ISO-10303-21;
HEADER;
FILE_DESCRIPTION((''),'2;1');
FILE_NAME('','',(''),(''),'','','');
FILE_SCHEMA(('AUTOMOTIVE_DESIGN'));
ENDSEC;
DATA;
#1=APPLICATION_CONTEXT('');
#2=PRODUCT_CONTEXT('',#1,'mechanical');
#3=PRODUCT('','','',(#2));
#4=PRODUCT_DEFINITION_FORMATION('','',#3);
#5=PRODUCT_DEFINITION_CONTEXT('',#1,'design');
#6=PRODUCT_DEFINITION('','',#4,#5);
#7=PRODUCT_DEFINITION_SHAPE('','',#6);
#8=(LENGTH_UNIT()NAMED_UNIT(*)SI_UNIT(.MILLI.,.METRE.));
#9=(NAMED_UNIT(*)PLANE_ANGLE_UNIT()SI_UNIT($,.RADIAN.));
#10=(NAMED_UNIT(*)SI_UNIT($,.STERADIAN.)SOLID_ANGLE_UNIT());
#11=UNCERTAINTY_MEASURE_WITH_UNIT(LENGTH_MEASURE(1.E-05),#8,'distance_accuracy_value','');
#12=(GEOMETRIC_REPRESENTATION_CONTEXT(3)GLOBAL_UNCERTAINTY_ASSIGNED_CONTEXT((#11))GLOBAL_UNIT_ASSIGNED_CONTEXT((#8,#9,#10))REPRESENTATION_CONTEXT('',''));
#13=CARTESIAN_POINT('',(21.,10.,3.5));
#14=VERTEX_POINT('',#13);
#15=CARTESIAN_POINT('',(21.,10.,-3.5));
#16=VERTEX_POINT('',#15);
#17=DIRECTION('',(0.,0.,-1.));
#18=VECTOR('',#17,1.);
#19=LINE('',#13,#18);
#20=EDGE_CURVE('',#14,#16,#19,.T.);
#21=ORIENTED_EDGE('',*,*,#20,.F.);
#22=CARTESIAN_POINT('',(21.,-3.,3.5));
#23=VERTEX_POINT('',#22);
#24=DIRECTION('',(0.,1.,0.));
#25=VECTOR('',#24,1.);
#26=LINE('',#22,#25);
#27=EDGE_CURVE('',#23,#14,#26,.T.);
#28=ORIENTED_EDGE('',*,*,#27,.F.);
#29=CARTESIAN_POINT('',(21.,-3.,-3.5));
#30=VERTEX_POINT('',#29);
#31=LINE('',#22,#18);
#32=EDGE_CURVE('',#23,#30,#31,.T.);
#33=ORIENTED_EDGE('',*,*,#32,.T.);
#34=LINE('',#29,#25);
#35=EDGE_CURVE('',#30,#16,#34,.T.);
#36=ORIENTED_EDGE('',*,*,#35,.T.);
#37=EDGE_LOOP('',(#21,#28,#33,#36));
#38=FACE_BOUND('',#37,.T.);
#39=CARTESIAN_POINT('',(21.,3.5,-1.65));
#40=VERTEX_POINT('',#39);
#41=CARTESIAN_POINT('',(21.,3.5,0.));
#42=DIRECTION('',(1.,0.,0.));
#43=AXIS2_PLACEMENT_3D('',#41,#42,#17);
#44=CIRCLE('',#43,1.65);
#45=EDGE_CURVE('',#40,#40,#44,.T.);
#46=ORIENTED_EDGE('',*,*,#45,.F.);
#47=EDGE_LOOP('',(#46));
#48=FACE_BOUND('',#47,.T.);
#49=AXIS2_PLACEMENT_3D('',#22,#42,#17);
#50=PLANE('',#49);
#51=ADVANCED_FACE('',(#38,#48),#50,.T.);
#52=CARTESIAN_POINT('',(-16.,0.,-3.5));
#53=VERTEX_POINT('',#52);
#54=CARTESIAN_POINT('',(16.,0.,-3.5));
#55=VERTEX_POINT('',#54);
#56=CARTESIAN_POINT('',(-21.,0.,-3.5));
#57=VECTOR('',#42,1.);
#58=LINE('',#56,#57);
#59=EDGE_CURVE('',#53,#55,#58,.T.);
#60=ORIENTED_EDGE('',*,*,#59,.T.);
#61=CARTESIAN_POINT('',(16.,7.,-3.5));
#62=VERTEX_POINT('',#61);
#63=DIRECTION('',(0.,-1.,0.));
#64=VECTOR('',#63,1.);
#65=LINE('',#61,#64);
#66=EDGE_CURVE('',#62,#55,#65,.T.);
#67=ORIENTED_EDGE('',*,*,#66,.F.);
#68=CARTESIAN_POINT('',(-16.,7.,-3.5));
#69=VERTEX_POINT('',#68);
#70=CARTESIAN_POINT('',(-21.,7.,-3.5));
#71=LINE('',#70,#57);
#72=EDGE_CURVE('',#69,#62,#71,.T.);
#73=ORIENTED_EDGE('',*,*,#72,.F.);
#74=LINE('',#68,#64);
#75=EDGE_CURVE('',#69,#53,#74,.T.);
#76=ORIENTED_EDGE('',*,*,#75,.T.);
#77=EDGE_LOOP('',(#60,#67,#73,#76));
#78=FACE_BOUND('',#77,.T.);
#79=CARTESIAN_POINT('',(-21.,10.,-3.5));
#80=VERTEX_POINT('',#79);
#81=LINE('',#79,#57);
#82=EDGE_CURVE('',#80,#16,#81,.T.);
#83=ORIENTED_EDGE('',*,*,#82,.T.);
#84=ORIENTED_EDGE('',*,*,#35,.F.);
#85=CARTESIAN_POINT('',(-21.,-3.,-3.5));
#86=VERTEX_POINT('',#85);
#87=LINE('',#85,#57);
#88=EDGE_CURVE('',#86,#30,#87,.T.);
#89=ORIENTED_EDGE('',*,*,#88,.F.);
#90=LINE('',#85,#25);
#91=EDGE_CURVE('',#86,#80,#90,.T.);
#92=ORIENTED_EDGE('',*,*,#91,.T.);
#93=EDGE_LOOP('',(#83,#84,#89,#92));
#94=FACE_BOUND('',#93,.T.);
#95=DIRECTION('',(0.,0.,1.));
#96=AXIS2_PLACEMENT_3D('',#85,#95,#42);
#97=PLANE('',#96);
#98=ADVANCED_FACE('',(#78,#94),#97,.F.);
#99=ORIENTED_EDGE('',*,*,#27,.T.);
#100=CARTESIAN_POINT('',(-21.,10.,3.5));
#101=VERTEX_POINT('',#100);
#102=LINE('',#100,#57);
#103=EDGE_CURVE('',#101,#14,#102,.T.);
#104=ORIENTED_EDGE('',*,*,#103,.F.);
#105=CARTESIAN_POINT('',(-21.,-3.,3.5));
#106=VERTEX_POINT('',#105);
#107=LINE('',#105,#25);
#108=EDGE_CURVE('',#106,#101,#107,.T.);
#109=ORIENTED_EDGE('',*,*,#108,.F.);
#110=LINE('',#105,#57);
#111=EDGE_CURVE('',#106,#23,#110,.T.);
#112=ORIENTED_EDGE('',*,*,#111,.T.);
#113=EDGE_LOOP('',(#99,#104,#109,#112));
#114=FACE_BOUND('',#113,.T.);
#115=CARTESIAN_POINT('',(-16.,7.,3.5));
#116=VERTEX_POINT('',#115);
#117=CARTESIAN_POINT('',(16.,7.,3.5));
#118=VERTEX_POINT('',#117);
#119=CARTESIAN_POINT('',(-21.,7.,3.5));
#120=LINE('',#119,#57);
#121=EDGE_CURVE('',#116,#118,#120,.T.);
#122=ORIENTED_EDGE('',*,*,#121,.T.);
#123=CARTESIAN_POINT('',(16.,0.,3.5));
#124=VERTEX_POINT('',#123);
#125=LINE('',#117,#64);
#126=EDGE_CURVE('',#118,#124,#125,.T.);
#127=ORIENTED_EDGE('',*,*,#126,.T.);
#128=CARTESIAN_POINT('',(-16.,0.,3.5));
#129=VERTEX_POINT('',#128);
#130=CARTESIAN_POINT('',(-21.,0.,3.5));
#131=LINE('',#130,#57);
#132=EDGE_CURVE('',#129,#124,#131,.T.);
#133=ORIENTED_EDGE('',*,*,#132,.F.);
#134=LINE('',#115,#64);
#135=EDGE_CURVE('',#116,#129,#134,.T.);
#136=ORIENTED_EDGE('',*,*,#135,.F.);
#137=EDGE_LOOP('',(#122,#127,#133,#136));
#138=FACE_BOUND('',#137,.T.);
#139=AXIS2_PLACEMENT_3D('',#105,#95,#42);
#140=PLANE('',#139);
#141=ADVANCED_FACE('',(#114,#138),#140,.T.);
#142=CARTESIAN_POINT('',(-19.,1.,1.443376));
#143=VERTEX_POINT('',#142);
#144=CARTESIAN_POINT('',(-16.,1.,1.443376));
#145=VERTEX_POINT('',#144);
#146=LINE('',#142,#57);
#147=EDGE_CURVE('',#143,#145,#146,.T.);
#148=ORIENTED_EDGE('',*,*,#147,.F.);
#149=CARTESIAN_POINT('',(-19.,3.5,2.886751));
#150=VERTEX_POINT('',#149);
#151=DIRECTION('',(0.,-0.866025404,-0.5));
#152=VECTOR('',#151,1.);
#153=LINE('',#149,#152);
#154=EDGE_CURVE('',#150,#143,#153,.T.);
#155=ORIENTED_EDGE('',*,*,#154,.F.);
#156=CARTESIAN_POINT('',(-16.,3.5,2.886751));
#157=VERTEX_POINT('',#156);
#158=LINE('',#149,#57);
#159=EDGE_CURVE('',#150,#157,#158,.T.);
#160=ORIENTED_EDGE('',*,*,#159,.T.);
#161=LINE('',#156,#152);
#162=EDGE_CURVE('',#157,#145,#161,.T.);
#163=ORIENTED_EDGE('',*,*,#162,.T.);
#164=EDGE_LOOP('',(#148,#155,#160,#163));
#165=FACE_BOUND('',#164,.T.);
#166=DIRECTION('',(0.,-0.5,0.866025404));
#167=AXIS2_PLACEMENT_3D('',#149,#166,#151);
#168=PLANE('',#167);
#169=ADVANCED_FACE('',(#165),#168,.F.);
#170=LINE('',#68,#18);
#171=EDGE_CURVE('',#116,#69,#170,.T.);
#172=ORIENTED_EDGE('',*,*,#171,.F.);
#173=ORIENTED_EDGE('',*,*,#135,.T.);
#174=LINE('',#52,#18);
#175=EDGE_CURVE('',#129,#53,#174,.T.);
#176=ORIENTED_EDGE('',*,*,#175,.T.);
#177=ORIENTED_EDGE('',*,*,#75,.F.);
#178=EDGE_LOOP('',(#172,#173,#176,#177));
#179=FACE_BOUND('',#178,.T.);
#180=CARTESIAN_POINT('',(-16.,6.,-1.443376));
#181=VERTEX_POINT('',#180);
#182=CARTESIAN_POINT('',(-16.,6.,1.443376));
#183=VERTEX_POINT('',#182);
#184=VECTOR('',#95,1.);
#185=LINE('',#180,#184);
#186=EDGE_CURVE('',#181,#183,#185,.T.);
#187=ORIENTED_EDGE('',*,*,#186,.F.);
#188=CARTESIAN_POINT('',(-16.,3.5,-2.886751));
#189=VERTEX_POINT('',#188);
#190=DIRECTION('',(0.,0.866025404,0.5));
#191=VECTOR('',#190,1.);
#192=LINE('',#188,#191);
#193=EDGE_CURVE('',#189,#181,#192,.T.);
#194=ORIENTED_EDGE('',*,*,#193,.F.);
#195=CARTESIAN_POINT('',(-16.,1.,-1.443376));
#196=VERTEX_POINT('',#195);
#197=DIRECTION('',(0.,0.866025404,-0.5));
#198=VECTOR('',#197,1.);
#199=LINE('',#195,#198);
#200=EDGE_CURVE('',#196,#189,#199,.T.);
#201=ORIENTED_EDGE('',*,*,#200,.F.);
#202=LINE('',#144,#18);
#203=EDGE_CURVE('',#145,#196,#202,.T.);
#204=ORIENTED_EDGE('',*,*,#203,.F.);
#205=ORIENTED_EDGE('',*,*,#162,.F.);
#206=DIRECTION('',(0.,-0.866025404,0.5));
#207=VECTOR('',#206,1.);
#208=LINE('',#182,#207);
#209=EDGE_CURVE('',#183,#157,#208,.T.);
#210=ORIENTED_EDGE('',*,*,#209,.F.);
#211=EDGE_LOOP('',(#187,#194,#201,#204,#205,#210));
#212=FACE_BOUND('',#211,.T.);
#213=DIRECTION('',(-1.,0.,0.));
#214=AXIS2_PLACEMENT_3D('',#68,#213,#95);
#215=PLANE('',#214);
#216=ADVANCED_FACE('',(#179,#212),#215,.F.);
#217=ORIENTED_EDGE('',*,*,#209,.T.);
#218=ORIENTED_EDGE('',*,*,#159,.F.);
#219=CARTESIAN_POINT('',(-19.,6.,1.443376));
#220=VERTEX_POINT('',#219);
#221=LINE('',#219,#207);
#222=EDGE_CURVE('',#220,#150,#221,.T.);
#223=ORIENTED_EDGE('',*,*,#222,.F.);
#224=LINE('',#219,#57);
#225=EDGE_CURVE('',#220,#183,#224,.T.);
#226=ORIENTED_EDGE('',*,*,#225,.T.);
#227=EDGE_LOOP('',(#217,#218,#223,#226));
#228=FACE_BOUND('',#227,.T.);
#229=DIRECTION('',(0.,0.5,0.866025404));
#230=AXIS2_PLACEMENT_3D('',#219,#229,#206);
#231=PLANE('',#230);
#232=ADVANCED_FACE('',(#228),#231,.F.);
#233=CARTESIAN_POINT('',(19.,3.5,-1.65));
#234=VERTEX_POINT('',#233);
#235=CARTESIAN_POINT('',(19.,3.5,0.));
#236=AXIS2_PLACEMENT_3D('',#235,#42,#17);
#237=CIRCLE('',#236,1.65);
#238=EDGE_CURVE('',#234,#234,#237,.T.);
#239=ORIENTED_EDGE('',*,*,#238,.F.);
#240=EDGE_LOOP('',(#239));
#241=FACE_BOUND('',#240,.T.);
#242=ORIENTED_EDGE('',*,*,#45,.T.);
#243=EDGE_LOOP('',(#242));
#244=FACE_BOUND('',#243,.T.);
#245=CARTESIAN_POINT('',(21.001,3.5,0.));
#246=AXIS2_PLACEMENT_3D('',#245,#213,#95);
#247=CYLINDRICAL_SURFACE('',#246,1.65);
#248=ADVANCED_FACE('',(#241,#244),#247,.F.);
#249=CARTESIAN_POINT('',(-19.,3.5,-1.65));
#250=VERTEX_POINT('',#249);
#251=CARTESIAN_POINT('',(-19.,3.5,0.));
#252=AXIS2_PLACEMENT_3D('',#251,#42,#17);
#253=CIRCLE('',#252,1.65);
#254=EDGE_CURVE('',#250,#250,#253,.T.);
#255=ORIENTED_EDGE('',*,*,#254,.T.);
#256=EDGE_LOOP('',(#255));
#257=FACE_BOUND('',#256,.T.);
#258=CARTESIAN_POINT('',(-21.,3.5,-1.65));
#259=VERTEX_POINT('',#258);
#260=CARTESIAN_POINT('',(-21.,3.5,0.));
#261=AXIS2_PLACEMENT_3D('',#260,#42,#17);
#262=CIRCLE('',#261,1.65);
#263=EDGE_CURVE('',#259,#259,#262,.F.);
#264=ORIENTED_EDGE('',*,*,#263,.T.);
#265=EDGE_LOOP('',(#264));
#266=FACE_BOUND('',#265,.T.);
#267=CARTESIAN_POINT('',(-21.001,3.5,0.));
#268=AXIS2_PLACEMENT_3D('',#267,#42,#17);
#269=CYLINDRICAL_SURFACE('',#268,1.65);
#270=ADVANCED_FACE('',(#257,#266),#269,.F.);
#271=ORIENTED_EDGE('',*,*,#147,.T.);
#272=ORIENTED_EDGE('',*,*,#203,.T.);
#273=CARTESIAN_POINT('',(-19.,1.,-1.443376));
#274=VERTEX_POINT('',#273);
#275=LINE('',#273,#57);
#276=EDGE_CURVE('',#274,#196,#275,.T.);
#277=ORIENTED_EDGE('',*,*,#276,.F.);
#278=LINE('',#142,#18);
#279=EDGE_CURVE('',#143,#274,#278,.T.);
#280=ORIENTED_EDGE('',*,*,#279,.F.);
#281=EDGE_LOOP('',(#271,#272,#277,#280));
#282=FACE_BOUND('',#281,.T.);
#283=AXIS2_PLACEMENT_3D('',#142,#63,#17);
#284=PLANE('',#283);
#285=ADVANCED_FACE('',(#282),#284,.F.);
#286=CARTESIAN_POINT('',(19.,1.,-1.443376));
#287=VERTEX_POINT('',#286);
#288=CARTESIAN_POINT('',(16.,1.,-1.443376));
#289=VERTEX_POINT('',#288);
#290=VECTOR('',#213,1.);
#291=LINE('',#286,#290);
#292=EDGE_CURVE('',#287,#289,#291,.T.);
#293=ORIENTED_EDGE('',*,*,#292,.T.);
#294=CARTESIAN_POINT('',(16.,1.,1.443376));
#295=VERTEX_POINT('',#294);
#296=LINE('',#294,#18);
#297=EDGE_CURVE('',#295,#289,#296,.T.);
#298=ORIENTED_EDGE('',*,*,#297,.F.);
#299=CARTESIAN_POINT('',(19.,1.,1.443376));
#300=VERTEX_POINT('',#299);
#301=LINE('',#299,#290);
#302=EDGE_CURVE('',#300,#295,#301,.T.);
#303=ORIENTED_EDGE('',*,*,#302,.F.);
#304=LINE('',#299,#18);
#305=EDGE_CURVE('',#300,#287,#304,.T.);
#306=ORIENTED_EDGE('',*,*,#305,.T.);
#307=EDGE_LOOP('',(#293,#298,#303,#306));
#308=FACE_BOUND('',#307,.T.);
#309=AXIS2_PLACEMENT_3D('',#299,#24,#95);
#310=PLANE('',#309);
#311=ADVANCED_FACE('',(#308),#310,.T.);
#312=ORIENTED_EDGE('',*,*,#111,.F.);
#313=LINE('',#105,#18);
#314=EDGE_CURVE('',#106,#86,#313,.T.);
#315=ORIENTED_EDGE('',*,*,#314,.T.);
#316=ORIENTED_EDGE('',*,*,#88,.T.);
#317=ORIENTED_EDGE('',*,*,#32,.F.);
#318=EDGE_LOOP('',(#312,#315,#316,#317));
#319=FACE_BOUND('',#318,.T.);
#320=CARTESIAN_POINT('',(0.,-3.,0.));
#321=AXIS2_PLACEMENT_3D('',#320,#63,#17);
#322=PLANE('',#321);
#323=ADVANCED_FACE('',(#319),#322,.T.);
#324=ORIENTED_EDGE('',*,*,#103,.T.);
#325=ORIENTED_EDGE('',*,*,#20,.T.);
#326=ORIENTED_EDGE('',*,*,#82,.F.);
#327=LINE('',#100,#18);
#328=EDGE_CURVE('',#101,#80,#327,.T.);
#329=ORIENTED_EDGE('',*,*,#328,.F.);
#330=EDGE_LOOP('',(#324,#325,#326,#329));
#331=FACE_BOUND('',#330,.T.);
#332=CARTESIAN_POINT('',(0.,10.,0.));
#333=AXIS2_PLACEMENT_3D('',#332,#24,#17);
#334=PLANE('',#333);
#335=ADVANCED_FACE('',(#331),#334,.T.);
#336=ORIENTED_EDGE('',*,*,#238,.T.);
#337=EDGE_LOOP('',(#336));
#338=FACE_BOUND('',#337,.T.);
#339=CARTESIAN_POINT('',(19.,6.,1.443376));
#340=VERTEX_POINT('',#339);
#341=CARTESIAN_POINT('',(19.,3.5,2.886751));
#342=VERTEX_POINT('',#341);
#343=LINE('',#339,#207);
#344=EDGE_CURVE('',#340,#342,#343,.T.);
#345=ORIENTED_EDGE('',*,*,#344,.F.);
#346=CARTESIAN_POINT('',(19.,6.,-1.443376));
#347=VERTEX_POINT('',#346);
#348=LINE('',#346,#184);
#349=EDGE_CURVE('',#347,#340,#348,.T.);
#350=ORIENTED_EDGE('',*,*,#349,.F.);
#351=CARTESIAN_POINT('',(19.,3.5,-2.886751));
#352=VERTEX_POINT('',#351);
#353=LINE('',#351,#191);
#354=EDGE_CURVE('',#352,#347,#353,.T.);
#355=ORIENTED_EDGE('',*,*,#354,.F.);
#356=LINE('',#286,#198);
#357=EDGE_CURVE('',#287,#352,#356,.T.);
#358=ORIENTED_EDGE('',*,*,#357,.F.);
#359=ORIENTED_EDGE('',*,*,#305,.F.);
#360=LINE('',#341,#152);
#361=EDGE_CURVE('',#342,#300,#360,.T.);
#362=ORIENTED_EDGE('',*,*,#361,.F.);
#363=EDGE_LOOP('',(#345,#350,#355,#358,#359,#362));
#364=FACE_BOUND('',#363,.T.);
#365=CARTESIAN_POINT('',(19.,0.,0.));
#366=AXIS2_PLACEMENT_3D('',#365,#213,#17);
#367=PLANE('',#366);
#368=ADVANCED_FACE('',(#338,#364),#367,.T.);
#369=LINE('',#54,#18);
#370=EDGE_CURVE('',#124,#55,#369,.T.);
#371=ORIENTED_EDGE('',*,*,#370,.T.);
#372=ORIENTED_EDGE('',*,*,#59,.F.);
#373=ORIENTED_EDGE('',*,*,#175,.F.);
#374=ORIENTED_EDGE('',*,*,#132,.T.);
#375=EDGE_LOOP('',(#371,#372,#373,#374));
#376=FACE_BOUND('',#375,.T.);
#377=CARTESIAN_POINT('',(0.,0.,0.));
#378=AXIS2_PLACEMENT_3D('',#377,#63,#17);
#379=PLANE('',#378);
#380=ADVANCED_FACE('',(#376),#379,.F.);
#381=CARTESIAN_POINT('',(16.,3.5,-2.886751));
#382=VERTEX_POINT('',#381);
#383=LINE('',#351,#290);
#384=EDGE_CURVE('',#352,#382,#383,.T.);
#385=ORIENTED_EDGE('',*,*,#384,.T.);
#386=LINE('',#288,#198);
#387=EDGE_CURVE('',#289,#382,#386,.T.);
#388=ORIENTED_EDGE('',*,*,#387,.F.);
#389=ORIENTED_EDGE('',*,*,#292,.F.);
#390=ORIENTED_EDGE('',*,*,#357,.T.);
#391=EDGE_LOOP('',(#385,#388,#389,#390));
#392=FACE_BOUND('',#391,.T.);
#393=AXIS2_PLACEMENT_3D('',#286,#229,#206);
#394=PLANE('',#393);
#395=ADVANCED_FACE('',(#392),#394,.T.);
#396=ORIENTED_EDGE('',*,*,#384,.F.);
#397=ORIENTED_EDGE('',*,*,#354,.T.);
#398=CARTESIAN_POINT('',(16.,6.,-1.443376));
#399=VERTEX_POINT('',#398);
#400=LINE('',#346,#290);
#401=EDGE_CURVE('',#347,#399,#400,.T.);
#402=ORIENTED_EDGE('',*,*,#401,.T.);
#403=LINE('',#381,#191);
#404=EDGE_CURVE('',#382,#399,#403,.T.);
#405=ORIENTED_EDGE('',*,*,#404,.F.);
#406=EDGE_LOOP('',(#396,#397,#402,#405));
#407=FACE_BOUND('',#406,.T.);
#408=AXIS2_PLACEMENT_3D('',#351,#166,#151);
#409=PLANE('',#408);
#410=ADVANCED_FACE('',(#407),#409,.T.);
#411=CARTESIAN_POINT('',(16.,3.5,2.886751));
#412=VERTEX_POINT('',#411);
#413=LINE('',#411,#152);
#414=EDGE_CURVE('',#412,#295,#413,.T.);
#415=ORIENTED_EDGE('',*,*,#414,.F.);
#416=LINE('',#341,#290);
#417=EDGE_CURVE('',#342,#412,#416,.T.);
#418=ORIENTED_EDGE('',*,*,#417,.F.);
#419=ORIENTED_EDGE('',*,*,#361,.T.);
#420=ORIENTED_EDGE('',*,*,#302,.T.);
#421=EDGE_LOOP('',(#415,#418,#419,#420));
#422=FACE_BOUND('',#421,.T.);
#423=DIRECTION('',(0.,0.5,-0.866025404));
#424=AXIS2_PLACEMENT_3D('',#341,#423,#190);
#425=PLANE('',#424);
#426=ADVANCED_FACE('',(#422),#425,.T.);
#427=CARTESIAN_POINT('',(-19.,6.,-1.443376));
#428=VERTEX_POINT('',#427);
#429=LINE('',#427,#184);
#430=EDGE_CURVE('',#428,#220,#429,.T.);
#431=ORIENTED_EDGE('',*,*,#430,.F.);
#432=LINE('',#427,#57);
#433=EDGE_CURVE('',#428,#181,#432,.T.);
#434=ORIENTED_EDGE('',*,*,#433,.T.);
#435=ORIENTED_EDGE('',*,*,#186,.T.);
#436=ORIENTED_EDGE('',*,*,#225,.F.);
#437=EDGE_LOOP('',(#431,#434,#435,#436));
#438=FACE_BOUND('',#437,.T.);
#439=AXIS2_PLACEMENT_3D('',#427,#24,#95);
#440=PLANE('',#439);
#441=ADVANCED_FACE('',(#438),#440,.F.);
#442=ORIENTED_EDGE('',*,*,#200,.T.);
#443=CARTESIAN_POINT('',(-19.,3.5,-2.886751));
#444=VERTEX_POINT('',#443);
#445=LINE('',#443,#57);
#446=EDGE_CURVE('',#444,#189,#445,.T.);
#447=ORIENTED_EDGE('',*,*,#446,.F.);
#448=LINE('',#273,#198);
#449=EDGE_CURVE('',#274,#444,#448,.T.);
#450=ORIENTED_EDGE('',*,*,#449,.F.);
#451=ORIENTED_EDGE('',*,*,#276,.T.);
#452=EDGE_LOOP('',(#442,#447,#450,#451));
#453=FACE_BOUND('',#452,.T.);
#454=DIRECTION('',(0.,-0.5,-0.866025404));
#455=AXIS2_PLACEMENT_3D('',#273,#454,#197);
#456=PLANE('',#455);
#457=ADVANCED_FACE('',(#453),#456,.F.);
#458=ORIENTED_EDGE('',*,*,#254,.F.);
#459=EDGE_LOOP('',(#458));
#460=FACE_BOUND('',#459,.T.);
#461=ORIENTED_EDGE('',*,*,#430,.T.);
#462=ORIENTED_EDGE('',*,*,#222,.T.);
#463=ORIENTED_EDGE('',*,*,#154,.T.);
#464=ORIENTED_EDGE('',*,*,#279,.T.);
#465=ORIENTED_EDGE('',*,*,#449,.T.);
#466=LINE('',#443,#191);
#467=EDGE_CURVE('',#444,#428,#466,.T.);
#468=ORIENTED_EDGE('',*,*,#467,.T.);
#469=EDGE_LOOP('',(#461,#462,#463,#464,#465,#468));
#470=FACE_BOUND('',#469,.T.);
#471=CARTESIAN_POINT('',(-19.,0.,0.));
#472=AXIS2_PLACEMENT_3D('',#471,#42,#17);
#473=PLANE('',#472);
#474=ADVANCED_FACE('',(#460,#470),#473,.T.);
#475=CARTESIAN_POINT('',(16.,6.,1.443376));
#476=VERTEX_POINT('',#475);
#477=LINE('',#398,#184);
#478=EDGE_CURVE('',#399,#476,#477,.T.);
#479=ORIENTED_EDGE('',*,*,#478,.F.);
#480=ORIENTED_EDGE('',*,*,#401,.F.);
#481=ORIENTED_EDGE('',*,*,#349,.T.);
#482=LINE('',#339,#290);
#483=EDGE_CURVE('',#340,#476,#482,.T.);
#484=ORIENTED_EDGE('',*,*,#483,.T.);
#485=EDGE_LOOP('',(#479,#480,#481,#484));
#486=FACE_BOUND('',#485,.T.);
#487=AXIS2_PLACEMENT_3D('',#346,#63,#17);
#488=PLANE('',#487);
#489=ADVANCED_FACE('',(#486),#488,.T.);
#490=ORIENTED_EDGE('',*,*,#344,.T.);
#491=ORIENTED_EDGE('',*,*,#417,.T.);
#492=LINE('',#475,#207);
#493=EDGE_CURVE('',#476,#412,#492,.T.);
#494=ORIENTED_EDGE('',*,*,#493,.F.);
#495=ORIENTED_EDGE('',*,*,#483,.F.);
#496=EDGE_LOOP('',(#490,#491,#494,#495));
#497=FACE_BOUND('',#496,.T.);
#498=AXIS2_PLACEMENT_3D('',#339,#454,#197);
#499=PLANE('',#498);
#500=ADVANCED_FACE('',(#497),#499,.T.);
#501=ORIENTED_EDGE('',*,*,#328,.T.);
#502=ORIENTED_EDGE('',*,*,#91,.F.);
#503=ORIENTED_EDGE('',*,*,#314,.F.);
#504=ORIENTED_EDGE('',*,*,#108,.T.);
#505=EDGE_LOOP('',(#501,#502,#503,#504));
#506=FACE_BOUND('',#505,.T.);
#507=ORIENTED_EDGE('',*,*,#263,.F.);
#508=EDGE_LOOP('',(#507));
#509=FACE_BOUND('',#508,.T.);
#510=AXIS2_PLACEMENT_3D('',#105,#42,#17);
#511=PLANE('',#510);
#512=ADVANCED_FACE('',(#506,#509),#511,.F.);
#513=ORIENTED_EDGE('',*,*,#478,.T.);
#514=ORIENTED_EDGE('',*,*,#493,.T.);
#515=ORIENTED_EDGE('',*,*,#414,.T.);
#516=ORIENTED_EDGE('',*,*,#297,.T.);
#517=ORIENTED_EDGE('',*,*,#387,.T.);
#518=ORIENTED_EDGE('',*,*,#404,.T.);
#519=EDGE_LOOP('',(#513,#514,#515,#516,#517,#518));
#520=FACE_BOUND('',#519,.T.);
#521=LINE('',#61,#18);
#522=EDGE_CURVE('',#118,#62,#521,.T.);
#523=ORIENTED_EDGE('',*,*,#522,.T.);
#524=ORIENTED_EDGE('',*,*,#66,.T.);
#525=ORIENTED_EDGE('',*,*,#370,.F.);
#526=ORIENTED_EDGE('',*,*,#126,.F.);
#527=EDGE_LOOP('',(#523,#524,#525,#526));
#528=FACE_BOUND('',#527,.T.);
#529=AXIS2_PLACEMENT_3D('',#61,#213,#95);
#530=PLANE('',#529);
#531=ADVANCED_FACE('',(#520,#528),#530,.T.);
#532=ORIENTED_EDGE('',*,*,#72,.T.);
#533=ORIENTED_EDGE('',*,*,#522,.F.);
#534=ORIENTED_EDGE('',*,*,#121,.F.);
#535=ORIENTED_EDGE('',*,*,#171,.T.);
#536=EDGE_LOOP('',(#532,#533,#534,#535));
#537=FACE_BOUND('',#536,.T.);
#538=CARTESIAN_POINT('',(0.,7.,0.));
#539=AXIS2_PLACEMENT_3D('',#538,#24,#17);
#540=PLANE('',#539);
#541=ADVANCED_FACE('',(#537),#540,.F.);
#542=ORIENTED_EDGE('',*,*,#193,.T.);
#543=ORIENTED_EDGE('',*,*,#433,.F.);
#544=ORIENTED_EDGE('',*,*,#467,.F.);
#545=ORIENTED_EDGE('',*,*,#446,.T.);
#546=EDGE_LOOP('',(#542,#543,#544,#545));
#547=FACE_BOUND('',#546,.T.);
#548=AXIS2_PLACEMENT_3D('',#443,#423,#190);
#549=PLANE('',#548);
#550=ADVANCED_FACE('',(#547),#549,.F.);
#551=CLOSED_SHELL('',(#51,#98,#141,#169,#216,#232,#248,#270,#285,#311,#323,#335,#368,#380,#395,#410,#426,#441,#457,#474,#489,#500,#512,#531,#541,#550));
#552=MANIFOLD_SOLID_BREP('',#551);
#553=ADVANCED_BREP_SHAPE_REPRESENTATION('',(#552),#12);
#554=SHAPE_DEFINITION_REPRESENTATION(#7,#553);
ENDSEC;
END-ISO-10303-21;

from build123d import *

# Parameters (mm, degrees)
SKETCH1_W           = 42
SKETCH1_H           = 7
BOSS_EXTRUDE1_DEPTH = 3
SKETCH3_W           = 5
SKETCH3_H           = 7
BOSS_EXTRUDE2_DEPTH = 7
CUT_EXTRUDE1_DEPTH  = 3
CUT_EXTRUDE2_REACH  = 42.758
SKETCH5_R           = 1.65


with BuildPart() as part:
    # Sketch1 → Boss-Extrude1 (new body)
    with BuildSketch(Plane(origin=(0, 0, 0), x_dir=(1, 0, 0), z_dir=(0, 1, 0))):
        Rectangle(SKETCH1_W, SKETCH1_H)
    boss_extrude1 = extrude(amount=-BOSS_EXTRUDE1_DEPTH)

    # Sketch3 → Boss-Extrude2 (add)
    with BuildSketch(Plane(origin=(0, 0, 0), x_dir=(1, 0, 0), z_dir=(0, 1, 0))):
        with Locations((-18.5, 0)):
            Rectangle(SKETCH3_W, SKETCH3_H)
    boss_extrude2 = extrude(amount=BOSS_EXTRUDE2_DEPTH)

    # Sketch4 → Cut-Extrude1 (cut)
    with BuildSketch(Plane(origin=(-16, 0, 0), x_dir=(0, 0, -1), z_dir=(1, 0, 0))):
        Polygon((1.443375673, 6), (-1.443375673, 6), (-2.886751346, 3.5), (-1.443375673, 1), (1.443375673, 1), (2.886751346, 3.5), align=None)
    cut_extrude1 = extrude(amount=-CUT_EXTRUDE1_DEPTH, mode=Mode.SUBTRACT)

    # Sketch5 → Cut-Extrude2 (cut, up to next)
    with BuildSketch(Plane(origin=(-19, 0, 0), x_dir=(0, 0, -1), z_dir=(1, 0, 0)), mode=Mode.PRIVATE) as cut_extrude2_sk1:
        with Locations((0, 3.5)):
            Circle(SKETCH5_R)
    cut_extrude2_tool1 = extrude(cut_extrude2_sk1.sketch, amount=-CUT_EXTRUDE2_REACH, mode=Mode.PRIVATE) & part.part
    cut_extrude2 = cut_extrude2_tool1.solids().sort_by_distance((-19, 3.5, 0))[0]
    add(cut_extrude2, mode=Mode.SUBTRACT)

    # Mirror3: Boss-Extrude1 across plane
    add(boss_extrude1.mirror(Plane.ZX.offset(3.5)))

    # Mirror4: Boss-Extrude2, Cut-Extrude1, Cut-Extrude2 across plane
    add(boss_extrude2.mirror(Plane(origin=(0, 0, 0), x_dir=(0, 0, 1), z_dir=(1, 0, 0))))
    add(cut_extrude1.mirror(Plane(origin=(0, 0, 0), x_dir=(0, 0, 1), z_dir=(1, 0, 0))), mode=Mode.SUBTRACT)
    add(cut_extrude2.mirror(Plane(origin=(0, 0, 0), x_dir=(0, 0, 1), z_dir=(1, 0, 0))), mode=Mode.SUBTRACT)


solid = part.part
